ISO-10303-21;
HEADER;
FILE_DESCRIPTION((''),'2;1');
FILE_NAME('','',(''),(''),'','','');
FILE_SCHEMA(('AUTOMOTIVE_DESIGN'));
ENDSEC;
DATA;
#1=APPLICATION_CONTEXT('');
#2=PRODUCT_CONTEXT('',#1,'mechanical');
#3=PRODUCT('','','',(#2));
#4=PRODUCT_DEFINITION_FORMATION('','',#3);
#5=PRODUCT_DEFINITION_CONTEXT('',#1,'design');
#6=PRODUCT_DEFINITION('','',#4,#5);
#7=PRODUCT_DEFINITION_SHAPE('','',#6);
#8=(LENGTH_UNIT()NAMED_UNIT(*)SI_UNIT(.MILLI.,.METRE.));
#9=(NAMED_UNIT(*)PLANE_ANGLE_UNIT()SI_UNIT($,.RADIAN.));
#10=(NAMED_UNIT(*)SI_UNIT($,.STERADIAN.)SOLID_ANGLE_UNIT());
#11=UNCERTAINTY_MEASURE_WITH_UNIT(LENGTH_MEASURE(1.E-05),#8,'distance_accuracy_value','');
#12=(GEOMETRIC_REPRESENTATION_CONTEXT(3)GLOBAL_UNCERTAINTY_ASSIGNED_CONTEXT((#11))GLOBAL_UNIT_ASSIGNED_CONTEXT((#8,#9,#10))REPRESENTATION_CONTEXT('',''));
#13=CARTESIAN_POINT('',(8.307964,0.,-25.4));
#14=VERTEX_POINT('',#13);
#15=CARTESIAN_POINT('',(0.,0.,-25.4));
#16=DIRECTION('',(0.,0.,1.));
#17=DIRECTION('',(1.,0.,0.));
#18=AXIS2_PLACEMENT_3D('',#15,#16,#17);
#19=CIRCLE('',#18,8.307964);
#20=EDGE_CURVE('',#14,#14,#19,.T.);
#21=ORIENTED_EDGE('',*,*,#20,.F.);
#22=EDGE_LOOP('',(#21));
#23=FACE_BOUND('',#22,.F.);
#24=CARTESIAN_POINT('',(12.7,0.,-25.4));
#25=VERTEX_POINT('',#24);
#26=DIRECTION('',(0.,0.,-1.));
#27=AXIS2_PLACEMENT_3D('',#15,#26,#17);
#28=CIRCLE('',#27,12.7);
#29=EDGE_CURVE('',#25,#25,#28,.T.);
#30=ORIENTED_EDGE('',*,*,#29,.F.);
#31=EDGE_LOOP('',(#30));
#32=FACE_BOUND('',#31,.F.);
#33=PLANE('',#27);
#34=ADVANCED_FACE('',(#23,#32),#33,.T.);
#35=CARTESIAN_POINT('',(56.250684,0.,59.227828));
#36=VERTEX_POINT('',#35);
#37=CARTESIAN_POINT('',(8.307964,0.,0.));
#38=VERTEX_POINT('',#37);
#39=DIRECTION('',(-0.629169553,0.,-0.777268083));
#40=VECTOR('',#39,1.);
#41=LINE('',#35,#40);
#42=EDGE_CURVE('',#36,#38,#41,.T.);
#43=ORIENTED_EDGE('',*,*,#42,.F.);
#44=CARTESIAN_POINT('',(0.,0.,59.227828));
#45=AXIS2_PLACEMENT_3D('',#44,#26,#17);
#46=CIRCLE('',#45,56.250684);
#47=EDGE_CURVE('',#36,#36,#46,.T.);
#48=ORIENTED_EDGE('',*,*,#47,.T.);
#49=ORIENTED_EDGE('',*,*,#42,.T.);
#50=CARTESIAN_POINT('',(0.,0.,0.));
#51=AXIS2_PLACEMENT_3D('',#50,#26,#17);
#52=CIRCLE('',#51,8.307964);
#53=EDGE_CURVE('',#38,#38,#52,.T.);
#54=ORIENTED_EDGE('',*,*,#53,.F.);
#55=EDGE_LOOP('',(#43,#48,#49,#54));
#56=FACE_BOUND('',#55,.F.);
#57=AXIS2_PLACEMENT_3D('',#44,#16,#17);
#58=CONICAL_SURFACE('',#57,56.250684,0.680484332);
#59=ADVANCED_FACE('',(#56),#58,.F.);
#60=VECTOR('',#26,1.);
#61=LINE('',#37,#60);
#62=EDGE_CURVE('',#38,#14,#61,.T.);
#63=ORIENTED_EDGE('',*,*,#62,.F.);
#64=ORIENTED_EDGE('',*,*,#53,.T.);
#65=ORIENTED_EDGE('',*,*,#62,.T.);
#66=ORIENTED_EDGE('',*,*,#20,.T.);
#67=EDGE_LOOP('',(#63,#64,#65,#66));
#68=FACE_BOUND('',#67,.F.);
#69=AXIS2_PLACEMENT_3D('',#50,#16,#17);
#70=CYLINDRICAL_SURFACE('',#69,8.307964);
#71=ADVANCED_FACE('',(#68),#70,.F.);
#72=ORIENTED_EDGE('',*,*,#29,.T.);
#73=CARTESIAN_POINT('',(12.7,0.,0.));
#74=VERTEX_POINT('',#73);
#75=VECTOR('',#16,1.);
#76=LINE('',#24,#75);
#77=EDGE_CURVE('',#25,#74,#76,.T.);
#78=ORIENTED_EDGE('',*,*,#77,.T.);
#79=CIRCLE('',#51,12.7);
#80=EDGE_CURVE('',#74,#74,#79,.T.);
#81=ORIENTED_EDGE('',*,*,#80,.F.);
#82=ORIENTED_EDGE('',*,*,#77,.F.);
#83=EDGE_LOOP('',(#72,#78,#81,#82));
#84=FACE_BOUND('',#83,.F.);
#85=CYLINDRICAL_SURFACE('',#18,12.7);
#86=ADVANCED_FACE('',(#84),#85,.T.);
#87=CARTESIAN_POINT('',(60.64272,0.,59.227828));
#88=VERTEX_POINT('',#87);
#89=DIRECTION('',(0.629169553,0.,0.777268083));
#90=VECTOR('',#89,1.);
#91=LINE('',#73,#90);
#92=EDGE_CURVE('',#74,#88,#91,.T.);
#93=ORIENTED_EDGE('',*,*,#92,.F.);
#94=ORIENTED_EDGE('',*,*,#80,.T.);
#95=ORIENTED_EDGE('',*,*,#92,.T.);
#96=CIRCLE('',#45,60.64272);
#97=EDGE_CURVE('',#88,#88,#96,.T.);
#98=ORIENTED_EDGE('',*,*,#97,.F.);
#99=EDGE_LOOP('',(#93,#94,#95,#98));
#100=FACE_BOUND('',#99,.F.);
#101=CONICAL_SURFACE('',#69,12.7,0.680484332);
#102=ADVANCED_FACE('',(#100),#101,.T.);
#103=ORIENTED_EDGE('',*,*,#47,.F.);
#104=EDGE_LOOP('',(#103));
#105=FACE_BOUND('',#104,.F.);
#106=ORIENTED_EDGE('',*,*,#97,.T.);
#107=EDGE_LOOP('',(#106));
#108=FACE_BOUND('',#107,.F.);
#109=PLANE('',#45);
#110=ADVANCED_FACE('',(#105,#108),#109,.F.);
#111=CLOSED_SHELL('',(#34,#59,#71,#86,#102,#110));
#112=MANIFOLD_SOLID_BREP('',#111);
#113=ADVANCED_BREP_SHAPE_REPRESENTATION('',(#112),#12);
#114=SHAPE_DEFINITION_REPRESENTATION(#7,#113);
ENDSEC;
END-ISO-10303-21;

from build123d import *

# Parameters (mm, degrees)
F1_FACE_R = 8.307964
F2_DEPTH  = 50.8


with BuildPart() as f1:
    # F0 (on Front) → F1 (revolve)
    with BuildSketch(Plane.XZ):
        Polygon((8.307964, 0), (0, 0), (0, -25.4), (12.7, -25.4), (12.7, 0), (60.64272, 59.227828), (56.250684, 59.227828), align=None)
    revolve(axis=Axis((0, 0, -12.7), (0, 0, -1)))

    # F1_face (on face) → F2 (cut)
    with BuildSketch(Plane.XY):
        Circle(F1_FACE_R)
    extrude(amount=-F2_DEPTH, mode=Mode.SUBTRACT)


solid = f1.part
